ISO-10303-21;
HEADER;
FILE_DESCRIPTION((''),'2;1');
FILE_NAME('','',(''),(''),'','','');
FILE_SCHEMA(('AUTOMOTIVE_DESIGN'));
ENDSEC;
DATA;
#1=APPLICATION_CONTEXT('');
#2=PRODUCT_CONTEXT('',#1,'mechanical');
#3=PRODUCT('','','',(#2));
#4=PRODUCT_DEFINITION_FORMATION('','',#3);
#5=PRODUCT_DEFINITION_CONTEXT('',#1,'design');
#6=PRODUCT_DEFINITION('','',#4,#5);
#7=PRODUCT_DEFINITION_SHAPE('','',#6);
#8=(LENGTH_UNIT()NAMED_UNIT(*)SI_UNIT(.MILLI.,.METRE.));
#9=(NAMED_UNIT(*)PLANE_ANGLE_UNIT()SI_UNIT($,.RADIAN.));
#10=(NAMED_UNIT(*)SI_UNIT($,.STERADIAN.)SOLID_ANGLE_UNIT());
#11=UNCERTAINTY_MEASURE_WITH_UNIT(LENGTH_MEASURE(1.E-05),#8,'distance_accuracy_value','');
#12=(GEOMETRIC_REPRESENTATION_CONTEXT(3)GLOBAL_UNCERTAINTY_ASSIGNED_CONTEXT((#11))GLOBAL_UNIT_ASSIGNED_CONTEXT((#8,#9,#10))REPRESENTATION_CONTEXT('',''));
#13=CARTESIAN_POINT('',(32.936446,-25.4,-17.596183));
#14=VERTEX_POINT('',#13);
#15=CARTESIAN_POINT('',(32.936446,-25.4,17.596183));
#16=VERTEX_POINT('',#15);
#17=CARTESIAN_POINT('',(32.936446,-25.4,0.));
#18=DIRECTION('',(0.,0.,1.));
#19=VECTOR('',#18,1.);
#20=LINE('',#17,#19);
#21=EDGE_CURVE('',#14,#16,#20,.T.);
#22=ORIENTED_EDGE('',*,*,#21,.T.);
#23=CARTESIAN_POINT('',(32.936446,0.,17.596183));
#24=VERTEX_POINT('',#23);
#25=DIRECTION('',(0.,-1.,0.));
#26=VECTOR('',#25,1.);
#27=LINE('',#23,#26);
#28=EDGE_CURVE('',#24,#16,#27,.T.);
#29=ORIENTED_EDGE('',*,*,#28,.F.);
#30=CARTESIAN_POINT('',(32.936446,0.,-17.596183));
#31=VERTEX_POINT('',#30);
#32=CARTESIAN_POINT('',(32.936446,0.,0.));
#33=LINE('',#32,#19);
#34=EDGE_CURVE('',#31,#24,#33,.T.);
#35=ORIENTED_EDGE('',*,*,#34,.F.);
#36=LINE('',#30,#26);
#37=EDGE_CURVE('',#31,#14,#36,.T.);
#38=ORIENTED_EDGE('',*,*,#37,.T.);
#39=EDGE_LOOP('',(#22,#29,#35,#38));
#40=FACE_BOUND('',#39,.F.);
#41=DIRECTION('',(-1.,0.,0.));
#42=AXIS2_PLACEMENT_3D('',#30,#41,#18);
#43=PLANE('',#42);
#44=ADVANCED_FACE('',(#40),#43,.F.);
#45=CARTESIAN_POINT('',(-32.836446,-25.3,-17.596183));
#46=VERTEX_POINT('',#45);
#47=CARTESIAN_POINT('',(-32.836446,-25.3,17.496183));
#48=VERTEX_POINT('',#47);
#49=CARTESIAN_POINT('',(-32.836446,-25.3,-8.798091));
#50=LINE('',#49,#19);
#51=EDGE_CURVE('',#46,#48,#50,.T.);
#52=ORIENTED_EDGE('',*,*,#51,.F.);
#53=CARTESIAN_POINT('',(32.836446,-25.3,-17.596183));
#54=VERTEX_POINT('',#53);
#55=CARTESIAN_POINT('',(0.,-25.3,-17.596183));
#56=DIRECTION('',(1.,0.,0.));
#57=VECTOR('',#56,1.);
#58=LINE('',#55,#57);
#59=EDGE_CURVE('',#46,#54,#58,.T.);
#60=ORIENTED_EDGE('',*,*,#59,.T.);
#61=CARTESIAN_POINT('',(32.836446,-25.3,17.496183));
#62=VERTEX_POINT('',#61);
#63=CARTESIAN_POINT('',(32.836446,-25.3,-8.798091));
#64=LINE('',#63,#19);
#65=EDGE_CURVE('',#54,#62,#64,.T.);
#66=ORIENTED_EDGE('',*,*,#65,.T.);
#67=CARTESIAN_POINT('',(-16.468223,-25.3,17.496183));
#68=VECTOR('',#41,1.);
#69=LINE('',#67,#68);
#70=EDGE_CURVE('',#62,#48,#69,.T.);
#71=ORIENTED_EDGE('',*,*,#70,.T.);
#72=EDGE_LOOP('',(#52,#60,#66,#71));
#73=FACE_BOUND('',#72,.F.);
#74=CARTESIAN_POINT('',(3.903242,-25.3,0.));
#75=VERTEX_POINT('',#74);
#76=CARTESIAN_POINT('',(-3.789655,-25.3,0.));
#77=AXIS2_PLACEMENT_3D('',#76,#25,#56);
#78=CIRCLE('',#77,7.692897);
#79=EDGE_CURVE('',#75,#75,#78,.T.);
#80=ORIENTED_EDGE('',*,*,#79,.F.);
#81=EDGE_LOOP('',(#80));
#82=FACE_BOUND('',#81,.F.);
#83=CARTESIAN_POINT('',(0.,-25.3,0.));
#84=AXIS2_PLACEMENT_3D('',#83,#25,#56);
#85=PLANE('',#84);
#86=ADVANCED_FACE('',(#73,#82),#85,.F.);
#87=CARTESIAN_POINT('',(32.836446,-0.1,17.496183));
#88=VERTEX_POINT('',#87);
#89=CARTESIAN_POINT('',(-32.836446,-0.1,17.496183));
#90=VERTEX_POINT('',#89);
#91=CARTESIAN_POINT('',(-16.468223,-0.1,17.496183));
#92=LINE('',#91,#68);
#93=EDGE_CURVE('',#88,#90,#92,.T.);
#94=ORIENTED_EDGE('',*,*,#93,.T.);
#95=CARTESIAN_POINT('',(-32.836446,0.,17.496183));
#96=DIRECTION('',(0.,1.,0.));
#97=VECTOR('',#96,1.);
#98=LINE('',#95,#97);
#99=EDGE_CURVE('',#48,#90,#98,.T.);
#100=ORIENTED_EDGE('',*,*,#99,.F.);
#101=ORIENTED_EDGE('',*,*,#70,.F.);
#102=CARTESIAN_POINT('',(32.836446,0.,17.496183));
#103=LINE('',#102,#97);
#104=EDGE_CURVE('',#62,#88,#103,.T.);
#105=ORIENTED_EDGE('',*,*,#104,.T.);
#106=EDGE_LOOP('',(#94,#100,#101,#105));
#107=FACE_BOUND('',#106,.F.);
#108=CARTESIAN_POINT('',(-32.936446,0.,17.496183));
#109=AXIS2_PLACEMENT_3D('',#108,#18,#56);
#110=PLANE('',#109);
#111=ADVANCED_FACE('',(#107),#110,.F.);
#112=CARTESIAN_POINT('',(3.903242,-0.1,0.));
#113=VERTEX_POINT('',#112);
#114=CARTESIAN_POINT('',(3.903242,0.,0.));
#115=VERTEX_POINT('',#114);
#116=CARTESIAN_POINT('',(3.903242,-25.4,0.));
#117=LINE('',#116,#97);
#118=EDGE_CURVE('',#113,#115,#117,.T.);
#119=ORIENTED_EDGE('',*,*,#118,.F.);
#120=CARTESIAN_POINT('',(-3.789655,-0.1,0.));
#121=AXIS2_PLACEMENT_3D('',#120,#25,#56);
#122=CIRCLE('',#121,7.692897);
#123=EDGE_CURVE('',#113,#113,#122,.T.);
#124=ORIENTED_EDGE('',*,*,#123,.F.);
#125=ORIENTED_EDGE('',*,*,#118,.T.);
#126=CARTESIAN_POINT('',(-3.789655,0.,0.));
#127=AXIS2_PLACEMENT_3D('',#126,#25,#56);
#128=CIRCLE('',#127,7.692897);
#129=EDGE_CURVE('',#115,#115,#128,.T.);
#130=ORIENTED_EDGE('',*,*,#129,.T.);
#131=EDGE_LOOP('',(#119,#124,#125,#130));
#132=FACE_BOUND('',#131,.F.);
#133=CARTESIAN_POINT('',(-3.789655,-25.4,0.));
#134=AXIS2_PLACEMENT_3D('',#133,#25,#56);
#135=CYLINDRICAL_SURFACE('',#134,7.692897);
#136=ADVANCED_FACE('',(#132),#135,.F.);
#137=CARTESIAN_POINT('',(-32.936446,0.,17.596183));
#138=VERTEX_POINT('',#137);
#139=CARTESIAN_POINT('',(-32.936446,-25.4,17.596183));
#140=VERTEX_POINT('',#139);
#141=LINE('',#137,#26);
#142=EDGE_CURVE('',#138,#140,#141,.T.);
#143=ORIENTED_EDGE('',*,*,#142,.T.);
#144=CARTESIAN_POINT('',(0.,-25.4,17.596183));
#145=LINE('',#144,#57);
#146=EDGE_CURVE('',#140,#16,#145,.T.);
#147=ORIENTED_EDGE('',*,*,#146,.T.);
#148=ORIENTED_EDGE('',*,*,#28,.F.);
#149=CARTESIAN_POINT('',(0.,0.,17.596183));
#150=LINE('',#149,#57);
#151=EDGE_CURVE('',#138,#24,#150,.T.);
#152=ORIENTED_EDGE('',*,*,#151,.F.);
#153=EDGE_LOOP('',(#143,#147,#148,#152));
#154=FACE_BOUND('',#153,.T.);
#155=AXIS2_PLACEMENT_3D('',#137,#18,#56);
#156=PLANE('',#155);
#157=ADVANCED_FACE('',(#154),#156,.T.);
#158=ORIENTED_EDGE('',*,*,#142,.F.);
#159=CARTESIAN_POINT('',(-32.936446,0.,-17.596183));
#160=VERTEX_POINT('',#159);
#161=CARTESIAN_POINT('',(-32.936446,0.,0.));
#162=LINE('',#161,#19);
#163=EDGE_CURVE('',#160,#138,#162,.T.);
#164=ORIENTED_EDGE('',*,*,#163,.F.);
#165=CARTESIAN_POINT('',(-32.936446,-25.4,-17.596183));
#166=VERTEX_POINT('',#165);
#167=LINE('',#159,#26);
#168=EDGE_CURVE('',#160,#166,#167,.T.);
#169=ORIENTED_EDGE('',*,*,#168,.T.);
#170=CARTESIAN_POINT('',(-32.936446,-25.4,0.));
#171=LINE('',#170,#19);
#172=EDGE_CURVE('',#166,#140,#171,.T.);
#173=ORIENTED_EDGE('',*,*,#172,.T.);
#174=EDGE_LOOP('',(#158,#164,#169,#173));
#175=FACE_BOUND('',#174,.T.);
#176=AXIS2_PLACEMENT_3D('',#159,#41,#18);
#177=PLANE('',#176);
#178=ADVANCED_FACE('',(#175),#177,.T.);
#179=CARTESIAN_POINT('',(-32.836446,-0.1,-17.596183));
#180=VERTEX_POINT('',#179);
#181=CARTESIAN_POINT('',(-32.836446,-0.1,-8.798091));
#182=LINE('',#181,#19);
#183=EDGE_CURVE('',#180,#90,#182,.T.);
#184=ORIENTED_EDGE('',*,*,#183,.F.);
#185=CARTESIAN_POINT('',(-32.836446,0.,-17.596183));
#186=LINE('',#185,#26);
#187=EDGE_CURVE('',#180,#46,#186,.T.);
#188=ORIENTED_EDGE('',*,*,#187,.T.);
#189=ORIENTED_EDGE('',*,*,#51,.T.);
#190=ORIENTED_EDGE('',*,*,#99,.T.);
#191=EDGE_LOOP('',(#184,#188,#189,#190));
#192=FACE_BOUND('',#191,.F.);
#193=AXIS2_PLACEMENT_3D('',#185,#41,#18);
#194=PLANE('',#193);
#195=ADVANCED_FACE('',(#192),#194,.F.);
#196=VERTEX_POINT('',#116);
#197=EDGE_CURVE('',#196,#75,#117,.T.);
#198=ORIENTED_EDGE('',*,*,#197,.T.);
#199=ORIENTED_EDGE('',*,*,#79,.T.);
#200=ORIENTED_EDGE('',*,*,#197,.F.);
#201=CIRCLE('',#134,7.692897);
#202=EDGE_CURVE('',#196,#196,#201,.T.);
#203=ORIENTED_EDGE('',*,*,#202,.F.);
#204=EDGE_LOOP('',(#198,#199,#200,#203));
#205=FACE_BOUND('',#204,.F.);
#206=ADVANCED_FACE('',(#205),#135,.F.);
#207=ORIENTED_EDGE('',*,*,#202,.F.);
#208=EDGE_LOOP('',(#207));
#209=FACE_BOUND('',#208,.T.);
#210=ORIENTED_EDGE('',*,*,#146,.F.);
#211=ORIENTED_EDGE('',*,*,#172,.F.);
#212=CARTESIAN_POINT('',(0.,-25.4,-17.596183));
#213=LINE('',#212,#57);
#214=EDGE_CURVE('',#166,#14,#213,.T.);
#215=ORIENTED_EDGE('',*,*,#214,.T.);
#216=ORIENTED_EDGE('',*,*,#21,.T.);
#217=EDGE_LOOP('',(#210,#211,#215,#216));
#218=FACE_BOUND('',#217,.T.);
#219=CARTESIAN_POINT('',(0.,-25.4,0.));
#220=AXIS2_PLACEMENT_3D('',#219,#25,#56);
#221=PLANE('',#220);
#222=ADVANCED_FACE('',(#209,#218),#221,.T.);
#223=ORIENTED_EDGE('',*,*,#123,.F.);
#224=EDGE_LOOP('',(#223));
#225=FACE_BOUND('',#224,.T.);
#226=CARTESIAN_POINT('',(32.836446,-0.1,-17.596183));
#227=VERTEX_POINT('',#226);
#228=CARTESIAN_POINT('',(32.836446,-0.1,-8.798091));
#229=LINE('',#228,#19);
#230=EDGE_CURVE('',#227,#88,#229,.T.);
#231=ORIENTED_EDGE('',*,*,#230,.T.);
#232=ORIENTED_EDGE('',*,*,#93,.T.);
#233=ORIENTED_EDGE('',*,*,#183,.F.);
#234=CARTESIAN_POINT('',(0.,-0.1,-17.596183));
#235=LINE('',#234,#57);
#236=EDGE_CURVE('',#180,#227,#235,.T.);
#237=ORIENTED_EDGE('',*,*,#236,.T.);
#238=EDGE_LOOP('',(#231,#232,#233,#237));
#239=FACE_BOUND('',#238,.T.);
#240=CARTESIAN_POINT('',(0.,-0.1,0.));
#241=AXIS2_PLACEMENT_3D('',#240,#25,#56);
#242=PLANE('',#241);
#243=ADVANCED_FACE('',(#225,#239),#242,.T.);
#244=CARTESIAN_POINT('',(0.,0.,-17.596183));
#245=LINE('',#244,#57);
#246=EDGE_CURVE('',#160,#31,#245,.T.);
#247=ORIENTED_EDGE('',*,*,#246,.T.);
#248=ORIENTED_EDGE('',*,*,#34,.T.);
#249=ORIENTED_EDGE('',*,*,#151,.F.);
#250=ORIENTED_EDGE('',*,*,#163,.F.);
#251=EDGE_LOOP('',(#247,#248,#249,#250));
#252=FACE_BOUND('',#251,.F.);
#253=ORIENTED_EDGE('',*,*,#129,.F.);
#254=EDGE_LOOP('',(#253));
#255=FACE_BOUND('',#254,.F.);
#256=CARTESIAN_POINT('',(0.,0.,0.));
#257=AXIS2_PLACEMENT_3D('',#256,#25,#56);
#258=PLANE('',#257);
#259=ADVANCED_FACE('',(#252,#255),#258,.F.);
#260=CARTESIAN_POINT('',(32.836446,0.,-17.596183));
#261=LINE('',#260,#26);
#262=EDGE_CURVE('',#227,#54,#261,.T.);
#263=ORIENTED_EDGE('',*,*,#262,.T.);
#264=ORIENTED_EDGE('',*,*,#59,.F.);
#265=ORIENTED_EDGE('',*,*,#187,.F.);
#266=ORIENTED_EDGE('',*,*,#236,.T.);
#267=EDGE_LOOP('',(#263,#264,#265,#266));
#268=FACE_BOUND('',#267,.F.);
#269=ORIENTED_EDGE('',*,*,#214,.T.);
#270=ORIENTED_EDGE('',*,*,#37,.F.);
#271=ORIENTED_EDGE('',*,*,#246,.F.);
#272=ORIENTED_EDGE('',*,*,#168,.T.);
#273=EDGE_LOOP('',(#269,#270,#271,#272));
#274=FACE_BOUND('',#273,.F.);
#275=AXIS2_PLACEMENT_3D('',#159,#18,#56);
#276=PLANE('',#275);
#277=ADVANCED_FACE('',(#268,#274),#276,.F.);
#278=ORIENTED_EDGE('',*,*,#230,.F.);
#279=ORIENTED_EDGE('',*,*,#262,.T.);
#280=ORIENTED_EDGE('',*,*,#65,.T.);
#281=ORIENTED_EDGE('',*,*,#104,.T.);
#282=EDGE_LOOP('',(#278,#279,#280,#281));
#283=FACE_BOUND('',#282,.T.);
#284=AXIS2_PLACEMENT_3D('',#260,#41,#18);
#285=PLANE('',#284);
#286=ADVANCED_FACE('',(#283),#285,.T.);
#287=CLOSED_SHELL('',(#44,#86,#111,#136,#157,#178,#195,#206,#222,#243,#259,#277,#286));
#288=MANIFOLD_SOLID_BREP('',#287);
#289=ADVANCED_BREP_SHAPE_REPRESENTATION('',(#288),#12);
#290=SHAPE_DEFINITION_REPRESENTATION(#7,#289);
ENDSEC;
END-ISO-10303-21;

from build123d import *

# Parameters (mm, degrees)
F0_W     = 65.872892
F0_H     = 35.192366
F1_DEPTH = 25.4
F2_T     = -0.1
F3_R     = 7.692897
F4_DEPTH = 42.926


with BuildPart() as f1:
    # F0 (on Front) → F1 (new body)
    with BuildSketch(Plane.XZ):
        Rectangle(F0_W, F0_H)
    extrude(amount=F1_DEPTH)

    # F2
    f2_openings = [f1.faces().sort_by_distance(p)[0] for p in [
        (0, -12.7, -17.596183),
    ]]
    offset(amount=F2_T, openings=f2_openings)

    # F3 (on face) → F4 (cut)
    with BuildSketch(Plane.XZ.offset(25.4)):
        with Locations((-3.789655, 0)):
            Circle(F3_R)
    extrude(amount=-F4_DEPTH, mode=Mode.SUBTRACT)


solid = f1.part
